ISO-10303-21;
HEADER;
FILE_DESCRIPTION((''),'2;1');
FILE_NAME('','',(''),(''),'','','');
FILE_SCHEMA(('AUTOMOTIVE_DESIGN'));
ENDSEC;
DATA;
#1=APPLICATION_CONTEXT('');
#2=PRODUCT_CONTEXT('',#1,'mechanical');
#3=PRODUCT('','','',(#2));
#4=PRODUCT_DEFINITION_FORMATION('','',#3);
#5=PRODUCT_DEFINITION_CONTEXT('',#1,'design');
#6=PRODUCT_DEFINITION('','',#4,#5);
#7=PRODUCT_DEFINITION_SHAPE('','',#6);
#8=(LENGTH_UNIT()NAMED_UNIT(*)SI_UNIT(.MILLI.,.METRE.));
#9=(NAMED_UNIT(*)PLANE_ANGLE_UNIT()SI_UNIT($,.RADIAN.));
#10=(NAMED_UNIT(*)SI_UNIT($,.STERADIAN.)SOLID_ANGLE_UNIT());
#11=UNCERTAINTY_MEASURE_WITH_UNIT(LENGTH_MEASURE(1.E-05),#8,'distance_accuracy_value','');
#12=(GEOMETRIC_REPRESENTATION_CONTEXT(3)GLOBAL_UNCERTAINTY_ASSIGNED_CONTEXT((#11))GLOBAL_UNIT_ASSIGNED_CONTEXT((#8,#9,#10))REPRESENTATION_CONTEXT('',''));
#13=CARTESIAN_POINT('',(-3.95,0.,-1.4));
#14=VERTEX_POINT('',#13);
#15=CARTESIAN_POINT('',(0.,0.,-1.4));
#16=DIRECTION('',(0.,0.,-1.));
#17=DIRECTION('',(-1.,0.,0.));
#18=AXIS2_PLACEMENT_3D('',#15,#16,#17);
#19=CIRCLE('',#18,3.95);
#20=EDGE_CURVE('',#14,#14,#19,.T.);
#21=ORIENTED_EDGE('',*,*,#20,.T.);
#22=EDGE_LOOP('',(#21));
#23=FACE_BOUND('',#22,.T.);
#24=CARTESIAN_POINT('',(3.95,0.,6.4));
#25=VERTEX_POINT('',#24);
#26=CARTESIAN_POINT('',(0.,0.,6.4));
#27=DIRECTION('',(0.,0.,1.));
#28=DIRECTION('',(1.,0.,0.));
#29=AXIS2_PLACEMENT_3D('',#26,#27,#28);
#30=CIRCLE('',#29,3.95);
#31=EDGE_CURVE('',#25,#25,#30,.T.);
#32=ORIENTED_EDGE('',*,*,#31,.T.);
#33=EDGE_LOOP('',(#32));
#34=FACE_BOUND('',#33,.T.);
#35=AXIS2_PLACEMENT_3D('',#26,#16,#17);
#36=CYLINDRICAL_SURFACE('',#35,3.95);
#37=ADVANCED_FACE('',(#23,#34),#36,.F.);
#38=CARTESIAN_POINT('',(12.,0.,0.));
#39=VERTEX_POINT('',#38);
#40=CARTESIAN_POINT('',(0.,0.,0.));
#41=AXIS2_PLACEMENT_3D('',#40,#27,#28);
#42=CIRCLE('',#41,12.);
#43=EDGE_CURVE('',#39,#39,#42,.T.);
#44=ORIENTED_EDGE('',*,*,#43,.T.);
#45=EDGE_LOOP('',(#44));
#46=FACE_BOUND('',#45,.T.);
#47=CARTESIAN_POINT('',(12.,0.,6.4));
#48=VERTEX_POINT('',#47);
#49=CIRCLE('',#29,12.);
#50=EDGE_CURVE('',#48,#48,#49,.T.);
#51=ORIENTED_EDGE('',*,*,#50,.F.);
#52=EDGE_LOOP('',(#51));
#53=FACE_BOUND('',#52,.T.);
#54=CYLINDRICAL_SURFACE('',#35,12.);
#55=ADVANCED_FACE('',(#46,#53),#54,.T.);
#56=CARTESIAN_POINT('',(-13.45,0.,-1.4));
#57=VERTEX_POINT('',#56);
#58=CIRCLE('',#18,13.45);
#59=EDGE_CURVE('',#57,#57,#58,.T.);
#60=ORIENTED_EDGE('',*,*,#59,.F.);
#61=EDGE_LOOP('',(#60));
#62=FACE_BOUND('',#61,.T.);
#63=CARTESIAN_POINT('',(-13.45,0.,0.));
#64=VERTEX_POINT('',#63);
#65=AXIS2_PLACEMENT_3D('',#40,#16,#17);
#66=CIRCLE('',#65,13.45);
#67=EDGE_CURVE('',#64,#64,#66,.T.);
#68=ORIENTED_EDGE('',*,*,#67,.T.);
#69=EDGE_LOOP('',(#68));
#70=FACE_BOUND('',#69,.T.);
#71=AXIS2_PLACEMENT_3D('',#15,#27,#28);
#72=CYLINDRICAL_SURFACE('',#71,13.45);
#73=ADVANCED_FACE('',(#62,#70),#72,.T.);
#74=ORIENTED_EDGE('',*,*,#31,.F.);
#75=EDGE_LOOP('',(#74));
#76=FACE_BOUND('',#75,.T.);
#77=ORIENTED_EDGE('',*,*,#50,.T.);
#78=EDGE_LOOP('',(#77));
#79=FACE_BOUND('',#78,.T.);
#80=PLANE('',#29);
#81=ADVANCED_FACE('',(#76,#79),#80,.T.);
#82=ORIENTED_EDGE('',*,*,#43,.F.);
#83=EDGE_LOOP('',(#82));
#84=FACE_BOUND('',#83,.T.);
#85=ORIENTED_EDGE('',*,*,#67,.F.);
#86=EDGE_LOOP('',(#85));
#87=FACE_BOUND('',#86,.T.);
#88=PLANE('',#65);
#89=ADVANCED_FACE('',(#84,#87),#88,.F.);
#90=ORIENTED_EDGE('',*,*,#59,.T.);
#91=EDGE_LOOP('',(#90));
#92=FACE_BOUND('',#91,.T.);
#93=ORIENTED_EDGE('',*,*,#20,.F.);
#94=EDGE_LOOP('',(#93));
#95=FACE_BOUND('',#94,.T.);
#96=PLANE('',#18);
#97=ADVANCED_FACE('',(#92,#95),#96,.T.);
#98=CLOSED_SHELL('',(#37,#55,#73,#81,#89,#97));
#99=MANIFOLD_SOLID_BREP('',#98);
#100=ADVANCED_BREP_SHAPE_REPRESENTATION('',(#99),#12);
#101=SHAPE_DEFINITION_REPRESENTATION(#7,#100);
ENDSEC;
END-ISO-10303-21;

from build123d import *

# Parameters (mm, degrees)
SKETCH1_R           = 12
SKETCH1_R_2         = 3.95
BOSS_EXTRUDE1_DEPTH = 6.4
SKETCH2_R           = 13.45
SKETCH2_R_2         = 3.95
BOSS_EXTRUDE2_DEPTH = 1.4


with BuildPart() as part:
    # Sketch1 → Boss-Extrude1 (new body)
    with BuildSketch(Plane.XY):
        Circle(SKETCH1_R)
        Circle(SKETCH1_R_2, mode=Mode.SUBTRACT)
    extrude(amount=BOSS_EXTRUDE1_DEPTH)

    # Sketch2 → Boss-Extrude2 (add)
    with BuildSketch(Plane(origin=(0, 0, 0), x_dir=(-1, 0, 0), z_dir=(0, 0, -1))):
        Circle(SKETCH2_R)
        Circle(SKETCH2_R_2, mode=Mode.SUBTRACT)
    extrude(amount=BOSS_EXTRUDE2_DEPTH)


solid = part.part
